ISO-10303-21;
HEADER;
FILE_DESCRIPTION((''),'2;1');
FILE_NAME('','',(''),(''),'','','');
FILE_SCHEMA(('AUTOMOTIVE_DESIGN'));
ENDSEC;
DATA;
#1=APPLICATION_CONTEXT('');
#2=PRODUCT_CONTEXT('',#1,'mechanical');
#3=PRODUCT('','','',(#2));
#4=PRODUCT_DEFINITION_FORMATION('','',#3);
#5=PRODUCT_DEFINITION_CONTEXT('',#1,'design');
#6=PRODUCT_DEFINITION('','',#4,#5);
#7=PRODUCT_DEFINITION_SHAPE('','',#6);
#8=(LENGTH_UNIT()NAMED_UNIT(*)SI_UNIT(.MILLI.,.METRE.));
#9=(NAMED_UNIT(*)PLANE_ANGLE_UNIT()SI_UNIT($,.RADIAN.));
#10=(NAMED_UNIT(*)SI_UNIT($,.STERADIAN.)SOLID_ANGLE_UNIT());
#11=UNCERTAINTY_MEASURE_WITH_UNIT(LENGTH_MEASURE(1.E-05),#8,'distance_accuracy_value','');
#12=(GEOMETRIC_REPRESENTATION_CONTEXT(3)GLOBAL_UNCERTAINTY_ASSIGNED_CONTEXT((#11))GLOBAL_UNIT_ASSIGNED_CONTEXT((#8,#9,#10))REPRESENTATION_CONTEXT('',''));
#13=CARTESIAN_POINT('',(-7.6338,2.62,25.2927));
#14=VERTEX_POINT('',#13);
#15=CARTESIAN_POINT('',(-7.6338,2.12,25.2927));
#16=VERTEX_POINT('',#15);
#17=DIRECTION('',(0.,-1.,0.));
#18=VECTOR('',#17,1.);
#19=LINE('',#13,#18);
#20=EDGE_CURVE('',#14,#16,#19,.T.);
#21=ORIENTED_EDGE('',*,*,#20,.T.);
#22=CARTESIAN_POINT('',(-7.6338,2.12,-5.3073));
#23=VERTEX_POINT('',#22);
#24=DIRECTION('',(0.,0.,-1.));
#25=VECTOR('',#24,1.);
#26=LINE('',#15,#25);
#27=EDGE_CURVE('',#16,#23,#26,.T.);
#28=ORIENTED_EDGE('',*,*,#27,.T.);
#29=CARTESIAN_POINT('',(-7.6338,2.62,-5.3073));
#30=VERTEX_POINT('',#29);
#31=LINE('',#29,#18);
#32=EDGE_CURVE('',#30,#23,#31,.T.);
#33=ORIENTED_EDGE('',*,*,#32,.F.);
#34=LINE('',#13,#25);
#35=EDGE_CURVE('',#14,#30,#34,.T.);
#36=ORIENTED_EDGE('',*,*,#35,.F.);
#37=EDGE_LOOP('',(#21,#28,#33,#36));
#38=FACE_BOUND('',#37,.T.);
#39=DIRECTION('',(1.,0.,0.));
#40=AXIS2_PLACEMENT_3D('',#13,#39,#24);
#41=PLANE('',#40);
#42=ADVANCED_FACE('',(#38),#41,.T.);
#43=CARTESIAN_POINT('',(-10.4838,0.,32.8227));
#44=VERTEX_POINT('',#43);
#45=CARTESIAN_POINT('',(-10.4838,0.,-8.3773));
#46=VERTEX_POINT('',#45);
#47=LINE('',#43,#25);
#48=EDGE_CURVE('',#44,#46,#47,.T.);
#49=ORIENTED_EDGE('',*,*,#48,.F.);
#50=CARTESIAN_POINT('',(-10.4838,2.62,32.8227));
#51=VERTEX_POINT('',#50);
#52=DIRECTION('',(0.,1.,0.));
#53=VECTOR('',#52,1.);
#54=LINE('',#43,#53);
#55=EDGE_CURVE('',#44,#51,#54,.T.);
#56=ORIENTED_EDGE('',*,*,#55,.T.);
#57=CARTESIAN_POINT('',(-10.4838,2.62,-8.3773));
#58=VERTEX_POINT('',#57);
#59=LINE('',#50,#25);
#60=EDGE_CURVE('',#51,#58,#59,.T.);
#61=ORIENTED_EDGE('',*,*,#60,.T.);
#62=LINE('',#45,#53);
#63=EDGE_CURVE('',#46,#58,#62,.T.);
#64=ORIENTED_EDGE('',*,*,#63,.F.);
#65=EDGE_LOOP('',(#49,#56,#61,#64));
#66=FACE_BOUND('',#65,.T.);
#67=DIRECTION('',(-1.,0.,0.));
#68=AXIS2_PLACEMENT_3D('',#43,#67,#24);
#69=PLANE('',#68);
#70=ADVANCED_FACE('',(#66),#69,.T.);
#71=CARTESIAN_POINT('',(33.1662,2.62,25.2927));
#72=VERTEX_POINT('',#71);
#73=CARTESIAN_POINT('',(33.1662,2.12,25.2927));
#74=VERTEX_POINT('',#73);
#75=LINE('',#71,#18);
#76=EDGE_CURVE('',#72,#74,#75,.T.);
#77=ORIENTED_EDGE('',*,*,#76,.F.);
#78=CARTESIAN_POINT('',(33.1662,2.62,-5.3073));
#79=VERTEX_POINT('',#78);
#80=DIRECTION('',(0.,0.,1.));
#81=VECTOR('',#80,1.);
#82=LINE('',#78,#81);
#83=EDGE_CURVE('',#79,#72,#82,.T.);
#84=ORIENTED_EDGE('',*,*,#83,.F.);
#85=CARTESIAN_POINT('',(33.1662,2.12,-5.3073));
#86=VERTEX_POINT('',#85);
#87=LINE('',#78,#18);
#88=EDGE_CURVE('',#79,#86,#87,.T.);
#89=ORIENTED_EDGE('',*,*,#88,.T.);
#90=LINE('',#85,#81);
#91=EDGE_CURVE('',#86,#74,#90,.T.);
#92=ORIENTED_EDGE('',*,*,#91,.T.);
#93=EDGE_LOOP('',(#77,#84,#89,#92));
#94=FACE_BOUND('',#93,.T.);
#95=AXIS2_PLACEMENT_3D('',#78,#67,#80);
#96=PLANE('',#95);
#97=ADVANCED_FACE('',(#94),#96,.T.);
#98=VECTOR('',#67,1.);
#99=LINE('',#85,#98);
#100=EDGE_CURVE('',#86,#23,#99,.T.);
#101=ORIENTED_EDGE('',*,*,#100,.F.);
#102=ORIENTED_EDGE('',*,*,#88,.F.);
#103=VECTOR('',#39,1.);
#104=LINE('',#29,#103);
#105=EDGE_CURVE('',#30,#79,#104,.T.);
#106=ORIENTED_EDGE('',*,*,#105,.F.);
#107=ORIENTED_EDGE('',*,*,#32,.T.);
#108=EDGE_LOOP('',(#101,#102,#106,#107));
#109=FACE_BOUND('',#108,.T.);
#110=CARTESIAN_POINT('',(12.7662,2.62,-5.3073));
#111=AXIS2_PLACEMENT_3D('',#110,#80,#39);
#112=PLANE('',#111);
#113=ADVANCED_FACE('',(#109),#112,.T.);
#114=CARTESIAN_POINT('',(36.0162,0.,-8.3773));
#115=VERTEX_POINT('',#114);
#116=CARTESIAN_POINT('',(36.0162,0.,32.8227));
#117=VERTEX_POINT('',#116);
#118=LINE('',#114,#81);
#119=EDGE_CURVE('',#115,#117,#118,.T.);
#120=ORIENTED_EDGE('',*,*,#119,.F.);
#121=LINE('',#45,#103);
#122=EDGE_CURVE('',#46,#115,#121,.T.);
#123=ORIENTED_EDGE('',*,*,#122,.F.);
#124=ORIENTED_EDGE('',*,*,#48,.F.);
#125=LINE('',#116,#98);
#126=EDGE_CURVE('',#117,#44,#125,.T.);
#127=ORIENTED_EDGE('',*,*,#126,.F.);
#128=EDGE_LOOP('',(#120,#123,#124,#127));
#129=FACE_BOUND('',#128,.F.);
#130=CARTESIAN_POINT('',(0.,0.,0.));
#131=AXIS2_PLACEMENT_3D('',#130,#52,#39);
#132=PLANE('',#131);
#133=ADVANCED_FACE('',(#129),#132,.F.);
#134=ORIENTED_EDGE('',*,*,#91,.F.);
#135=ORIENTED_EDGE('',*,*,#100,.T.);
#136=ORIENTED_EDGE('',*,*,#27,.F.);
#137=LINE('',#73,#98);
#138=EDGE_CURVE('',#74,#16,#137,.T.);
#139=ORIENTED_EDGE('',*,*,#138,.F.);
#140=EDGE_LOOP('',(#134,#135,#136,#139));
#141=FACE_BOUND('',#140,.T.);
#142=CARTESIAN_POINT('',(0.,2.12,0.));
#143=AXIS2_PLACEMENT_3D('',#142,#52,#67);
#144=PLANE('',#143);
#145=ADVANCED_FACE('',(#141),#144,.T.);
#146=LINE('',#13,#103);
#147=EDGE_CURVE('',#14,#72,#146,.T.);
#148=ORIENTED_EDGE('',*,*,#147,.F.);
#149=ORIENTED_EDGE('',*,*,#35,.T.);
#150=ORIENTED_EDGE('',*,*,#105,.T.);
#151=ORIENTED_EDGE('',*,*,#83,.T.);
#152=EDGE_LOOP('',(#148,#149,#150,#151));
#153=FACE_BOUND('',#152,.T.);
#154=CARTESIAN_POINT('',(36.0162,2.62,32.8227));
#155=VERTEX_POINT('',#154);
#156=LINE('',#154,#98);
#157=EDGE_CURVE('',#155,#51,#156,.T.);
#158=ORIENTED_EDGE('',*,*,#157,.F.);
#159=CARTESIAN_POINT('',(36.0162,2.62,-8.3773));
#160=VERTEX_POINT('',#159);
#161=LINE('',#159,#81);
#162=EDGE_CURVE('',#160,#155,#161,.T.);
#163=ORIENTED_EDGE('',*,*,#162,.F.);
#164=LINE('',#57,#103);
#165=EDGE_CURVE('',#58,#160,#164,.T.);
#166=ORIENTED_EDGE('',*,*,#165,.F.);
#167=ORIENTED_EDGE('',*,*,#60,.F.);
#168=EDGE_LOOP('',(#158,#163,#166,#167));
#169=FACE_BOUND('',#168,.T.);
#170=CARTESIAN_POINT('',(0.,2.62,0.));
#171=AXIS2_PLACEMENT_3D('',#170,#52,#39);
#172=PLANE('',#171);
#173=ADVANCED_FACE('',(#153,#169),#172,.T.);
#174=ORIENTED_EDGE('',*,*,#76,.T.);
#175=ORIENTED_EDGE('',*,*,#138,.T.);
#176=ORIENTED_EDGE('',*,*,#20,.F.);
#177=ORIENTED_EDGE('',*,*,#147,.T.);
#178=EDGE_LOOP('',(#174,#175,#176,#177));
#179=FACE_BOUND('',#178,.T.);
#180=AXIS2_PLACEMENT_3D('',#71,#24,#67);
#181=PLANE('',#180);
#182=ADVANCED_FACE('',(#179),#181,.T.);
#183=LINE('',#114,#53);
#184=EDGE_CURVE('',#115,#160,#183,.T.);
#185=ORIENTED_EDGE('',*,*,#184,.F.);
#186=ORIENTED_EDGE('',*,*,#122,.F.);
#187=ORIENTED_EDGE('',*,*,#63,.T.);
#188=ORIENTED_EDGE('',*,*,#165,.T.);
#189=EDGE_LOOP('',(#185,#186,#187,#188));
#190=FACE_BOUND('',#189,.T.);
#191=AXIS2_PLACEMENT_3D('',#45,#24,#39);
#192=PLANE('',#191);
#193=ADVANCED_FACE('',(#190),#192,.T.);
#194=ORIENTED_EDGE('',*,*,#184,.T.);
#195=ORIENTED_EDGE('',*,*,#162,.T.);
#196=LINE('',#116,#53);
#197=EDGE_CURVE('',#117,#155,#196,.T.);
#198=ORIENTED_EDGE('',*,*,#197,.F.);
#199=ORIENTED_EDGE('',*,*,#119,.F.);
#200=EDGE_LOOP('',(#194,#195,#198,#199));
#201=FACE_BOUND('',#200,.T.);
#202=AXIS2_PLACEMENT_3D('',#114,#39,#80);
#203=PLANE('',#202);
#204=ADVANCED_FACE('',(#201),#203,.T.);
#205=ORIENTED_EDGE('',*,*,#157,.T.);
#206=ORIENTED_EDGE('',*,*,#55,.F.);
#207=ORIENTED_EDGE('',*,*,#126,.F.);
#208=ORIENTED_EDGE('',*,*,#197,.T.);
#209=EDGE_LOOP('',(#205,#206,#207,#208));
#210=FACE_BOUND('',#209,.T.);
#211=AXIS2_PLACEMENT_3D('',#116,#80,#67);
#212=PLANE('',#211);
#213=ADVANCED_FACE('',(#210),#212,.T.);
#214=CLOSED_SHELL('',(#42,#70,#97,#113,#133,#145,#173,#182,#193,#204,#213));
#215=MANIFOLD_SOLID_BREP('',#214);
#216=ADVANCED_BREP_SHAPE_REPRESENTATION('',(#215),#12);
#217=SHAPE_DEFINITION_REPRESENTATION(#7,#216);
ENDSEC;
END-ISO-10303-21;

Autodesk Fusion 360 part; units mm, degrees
sketch "Sketch1" plane through (0, 0, 0) normal (0, 1, 0) x (1, 0, 0)
  line L0 (-10.4838, 8.3773) -> (36.0162, 8.3773)
  line L1 (36.0162, 8.3773) -> (36.0162, -32.8227)
  line L2 (36.0162, -32.8227) -> (-10.4838, -32.8227)
  line L3 (-10.4838, -32.8227) -> (-10.4838, 8.3773)
  dimension "d1" = 46.5
  dimension "d2" = 41.2
extrude "Extrude1" add sketch "Sketch1" along normal blind 2.62
sketch "Sketch2" plane through (0, 2.62, 0) normal (0, 1, 0) x (-1, 0, 0)
  line L0 (10.4838, 32.8227) -> (-36.0162, 32.8227)
  line L1 (-36.0162, 32.8227) -> (-36.0162, -8.3773)
  line L2 (-36.0162, -8.3773) -> (10.4838, -8.3773)
  line L3 (10.4838, -8.3773) -> (10.4838, 32.8227)
  line L4 (7.6338, -5.3073) -> (-33.1662, -5.3073)
  line L5 (-33.1662, -5.3073) -> (-33.1662, 25.2927)
  line L6 (-33.1662, 25.2927) -> (7.6338, 25.2927)
  line L7 (7.6338, 25.2927) -> (7.6338, -5.3073)
  line L8 (-12.7662, -8.3773) -> (-12.7662, 32.8227)
  dimension "d5" = 40.8
  dimension "d6" = 30.6
  dimension "d7" = 3.07
extrude "Extrude2" cut sketch "Sketch2" against normal blind 0.5 contours L4 L5 L6 L8 | L4 L6 L7 L8
